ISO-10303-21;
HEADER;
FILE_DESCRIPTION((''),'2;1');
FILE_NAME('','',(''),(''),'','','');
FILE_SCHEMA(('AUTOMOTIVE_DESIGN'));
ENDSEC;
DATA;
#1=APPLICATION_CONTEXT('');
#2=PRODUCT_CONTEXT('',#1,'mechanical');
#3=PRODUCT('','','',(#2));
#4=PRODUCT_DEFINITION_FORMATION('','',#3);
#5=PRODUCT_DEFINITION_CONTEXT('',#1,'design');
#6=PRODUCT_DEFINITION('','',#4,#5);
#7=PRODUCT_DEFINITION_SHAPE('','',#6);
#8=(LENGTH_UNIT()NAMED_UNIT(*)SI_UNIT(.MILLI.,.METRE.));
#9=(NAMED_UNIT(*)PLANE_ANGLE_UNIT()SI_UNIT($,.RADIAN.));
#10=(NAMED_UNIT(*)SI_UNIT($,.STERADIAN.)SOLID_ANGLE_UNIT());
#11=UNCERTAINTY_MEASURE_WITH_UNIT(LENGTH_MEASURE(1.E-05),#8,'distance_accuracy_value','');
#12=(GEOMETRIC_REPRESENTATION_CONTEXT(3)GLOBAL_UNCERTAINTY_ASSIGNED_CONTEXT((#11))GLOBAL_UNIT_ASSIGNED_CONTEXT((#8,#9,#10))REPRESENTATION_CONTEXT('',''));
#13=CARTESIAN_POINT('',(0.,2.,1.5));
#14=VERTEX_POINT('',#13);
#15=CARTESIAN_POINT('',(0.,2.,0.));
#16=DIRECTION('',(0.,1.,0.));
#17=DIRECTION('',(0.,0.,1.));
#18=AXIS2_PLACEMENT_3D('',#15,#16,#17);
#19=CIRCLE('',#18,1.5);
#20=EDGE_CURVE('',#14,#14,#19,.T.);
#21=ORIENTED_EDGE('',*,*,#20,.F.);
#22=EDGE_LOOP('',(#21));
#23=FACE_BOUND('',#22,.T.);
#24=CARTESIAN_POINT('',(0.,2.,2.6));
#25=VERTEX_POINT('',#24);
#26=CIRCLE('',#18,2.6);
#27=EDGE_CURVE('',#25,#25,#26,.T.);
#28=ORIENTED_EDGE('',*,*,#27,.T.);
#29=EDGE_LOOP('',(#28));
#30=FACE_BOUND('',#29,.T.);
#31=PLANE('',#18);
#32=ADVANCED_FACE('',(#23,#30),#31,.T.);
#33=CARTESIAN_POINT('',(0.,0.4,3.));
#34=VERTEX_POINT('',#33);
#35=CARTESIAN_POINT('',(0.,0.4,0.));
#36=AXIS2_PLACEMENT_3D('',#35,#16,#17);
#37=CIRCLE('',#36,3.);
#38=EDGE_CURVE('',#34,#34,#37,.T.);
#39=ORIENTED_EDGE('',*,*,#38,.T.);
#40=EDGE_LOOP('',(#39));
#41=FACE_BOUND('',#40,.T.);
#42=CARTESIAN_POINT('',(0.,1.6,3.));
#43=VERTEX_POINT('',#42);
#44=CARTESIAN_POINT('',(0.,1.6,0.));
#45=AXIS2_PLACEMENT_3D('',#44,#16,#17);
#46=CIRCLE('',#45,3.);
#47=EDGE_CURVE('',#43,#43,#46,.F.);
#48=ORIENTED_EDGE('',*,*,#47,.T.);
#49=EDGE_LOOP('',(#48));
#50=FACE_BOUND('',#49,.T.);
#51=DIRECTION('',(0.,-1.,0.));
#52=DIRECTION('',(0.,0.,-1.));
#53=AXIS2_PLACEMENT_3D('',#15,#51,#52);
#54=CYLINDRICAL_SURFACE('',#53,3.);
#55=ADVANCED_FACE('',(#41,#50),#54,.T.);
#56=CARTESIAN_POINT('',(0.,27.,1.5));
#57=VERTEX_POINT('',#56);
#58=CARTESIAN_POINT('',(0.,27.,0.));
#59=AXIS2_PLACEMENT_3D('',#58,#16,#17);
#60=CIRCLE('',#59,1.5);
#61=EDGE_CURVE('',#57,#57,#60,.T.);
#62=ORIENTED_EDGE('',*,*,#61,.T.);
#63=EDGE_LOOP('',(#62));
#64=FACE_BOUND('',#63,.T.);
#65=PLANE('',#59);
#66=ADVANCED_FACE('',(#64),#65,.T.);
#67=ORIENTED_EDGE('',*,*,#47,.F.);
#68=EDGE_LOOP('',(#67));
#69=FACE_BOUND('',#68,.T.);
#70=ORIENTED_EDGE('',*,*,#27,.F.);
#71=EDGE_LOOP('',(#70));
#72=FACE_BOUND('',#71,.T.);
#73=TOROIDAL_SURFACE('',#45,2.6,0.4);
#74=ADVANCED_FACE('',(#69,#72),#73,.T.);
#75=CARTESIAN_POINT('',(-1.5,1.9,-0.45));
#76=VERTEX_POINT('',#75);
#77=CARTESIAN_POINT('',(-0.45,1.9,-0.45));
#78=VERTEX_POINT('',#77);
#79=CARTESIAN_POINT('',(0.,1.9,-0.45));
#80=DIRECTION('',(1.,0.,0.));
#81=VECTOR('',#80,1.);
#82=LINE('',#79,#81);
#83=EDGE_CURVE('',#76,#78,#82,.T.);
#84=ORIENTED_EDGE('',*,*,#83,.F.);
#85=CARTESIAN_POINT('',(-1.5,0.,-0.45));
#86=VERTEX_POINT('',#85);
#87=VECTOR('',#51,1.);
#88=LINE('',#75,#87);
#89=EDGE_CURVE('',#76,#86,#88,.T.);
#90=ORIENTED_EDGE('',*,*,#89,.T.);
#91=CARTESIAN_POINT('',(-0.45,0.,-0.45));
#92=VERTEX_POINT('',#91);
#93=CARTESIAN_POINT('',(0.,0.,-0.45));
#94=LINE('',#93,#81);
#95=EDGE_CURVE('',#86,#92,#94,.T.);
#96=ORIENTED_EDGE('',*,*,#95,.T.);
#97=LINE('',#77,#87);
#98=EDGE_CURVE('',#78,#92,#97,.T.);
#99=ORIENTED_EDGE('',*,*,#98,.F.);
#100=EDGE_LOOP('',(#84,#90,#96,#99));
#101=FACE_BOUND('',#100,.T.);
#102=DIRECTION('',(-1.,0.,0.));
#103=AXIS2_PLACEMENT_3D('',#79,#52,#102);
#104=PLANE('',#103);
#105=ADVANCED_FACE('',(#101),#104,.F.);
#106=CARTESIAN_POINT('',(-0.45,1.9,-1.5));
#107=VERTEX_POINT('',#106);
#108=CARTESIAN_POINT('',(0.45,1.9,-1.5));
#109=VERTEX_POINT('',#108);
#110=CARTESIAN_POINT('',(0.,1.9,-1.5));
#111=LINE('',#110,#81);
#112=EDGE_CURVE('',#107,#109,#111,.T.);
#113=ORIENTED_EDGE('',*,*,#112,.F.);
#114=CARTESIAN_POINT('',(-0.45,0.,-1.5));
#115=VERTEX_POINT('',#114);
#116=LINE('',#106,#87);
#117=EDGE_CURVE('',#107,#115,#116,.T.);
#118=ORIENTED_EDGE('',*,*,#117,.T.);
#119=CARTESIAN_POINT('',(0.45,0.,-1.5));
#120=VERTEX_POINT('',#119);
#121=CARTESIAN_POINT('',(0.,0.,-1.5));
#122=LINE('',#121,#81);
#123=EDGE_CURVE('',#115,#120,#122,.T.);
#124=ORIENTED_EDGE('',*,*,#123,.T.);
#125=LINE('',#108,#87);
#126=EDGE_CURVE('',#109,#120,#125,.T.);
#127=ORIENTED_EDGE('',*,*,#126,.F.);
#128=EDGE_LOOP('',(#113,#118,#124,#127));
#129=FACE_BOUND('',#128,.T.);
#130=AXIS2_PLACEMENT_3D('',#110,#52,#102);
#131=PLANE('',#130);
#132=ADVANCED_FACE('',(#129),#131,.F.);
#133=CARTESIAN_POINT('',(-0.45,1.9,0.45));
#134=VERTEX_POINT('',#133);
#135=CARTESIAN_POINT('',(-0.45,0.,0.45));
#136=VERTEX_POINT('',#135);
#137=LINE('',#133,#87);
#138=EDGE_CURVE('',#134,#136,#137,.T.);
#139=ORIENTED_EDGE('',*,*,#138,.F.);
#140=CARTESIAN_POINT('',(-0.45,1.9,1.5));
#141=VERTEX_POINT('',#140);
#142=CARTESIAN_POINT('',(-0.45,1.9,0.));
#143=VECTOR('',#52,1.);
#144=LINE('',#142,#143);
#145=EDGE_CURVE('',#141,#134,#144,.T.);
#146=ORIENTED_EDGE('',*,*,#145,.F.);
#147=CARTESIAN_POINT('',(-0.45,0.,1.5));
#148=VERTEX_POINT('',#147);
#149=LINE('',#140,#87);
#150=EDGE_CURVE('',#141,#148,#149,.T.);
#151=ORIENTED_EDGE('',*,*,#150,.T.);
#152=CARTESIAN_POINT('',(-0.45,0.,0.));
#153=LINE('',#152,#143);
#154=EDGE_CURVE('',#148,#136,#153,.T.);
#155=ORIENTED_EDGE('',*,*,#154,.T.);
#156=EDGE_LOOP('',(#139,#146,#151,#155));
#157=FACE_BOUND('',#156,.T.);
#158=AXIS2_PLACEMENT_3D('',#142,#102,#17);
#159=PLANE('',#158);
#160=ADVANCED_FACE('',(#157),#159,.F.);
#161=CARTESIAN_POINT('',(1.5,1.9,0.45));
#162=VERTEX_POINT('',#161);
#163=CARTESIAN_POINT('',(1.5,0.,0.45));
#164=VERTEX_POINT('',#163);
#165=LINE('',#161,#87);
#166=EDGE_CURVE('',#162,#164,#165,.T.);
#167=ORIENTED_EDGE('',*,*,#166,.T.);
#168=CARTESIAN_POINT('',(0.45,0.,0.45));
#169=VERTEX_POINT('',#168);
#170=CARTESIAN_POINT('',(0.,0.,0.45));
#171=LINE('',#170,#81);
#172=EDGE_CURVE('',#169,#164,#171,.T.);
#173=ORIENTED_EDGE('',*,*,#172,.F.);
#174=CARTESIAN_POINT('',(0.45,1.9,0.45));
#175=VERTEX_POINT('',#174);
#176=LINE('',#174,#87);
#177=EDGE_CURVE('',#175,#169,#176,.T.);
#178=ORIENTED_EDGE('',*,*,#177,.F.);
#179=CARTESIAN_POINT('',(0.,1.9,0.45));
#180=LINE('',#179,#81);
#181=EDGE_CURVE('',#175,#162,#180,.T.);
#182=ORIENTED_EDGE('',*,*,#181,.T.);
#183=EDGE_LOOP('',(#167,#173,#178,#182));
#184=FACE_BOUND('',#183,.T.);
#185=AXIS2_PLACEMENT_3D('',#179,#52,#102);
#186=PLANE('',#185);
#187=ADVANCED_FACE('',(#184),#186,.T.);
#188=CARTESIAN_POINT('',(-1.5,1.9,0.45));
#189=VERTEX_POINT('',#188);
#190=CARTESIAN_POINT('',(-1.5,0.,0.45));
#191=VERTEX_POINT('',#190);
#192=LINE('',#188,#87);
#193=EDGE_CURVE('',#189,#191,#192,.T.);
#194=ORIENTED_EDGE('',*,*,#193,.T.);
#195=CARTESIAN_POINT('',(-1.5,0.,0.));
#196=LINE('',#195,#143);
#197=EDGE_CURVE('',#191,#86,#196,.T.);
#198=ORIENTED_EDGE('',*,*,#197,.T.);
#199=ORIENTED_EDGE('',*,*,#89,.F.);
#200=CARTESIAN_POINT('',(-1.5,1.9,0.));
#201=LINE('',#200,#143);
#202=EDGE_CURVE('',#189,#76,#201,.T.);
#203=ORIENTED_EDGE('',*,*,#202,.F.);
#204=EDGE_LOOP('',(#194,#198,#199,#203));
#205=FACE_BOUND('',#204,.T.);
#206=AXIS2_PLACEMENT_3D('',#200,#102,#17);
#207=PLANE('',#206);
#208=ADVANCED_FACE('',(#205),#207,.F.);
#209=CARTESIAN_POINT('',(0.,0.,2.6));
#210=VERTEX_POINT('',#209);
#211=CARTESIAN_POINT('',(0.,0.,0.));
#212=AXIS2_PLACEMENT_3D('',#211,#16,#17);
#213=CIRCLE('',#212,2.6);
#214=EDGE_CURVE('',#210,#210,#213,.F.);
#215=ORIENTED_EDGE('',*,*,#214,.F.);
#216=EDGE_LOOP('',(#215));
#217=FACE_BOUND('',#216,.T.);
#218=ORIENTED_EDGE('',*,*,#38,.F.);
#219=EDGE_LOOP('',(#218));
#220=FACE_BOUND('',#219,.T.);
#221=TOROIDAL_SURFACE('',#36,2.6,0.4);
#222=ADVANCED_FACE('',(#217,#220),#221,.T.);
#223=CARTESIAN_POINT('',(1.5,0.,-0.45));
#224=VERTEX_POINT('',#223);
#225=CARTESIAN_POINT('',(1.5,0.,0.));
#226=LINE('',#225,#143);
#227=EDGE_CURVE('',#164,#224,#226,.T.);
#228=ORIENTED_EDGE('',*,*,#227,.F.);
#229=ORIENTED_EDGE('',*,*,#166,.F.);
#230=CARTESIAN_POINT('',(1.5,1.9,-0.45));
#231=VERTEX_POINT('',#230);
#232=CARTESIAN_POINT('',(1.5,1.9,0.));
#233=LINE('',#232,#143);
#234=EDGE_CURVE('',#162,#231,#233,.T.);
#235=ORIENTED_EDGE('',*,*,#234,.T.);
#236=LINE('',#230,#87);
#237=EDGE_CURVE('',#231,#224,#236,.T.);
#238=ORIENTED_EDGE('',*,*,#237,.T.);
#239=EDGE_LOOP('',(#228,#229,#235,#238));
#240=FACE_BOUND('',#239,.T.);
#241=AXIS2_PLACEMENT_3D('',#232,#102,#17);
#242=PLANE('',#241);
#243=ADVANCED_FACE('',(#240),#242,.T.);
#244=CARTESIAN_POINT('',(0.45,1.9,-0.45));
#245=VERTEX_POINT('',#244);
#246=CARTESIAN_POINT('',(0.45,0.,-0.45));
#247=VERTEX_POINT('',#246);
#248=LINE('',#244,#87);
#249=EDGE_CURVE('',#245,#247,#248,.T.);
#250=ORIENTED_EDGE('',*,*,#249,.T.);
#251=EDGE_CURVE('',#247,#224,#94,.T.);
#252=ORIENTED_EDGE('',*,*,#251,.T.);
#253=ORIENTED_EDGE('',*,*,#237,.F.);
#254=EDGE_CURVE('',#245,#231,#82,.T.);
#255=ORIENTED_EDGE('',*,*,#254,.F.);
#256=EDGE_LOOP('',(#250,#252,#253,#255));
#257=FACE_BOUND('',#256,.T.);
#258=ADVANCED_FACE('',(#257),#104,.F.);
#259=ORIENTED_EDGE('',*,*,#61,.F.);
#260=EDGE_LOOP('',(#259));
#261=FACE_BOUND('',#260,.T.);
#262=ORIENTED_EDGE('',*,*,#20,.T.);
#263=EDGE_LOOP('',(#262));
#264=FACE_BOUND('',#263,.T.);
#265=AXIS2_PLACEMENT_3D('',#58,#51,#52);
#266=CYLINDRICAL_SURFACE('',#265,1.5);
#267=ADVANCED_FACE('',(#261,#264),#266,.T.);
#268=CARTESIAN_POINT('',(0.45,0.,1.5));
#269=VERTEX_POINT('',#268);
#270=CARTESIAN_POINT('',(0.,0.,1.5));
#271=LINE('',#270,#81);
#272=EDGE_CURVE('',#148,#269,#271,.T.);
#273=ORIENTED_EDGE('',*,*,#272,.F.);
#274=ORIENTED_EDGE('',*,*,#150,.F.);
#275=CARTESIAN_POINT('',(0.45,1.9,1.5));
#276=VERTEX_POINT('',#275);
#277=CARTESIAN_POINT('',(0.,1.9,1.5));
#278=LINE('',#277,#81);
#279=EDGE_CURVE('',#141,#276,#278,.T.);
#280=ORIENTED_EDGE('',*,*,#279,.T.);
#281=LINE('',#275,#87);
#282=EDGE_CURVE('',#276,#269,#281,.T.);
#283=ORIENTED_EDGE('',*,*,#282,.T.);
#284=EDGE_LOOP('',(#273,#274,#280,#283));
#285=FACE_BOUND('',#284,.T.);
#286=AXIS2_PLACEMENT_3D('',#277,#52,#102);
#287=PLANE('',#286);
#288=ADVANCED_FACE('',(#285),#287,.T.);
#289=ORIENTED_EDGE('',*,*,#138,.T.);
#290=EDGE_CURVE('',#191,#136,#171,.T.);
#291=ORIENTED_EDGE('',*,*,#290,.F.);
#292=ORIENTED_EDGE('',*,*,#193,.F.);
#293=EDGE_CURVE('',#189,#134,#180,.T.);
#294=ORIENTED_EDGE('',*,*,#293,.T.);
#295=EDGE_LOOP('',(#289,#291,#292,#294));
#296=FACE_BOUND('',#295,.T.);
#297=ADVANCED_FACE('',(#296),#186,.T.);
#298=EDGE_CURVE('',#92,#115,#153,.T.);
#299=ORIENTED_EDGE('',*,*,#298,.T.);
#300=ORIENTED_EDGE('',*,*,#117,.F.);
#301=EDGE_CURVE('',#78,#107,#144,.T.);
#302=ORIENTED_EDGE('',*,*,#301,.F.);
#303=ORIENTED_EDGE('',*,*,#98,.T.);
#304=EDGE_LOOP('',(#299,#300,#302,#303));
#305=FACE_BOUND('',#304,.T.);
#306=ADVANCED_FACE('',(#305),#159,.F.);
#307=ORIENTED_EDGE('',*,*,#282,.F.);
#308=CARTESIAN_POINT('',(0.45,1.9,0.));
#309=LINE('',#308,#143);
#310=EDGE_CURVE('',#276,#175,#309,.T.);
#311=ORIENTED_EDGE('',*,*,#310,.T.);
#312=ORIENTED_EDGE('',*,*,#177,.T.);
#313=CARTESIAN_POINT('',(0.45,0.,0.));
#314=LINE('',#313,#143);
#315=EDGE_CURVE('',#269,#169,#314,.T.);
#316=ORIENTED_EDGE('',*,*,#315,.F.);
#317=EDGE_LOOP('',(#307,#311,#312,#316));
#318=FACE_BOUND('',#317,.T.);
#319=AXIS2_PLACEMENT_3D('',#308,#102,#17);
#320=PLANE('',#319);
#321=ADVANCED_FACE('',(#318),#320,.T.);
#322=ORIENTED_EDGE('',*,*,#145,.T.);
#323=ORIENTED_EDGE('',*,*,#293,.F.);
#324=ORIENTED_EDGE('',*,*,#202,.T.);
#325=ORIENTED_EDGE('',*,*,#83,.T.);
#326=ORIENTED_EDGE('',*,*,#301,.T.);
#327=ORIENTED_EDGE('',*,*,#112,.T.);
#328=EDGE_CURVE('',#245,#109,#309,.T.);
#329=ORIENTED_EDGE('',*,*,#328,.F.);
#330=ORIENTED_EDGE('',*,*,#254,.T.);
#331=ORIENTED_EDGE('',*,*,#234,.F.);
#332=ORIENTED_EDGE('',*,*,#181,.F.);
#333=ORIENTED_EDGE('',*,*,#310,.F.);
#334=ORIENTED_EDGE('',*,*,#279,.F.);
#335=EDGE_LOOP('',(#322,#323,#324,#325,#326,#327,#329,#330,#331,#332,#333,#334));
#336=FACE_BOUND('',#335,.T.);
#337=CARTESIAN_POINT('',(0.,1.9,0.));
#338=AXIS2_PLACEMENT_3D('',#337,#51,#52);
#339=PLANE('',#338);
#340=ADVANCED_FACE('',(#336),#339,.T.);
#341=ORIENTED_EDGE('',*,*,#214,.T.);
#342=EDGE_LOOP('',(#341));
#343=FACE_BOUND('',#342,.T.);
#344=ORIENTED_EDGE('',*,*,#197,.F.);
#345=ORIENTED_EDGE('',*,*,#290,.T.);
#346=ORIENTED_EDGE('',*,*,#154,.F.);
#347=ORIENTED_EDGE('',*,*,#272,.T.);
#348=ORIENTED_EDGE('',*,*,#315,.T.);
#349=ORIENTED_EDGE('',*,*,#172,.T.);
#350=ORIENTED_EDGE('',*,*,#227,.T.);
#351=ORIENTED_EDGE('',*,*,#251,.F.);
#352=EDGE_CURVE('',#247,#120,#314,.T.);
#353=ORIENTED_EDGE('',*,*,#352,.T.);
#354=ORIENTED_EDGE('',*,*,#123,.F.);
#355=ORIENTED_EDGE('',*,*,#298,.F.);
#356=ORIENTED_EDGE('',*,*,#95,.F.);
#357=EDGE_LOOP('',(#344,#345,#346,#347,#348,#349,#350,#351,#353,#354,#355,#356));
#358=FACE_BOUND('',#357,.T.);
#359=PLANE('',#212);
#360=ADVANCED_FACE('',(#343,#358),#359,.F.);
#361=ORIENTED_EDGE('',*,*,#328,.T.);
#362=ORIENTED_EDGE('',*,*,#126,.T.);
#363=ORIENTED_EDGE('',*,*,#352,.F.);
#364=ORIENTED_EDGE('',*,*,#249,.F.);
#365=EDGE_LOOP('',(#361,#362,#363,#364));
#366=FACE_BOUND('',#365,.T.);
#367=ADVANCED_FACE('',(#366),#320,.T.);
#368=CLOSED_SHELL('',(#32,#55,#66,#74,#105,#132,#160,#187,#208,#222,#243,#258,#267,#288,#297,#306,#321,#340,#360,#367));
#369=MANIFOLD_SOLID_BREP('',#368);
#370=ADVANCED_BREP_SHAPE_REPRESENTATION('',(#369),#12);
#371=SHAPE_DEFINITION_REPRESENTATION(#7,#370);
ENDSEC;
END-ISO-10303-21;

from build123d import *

# Parameters (mm, degrees)
SKETCH1_R           = 3
BOSS_EXTRUDE1_DEPTH = 2
SKETCH2_R           = 1.5
BOSS_EXTRUDE2_DEPTH = 25
SKETCH3_W           = 0.9
SKETCH3_H           = 0.9
SKETCH3_W_2         = 1.05
SKETCH3_H_2         = 1.05
CUT_EXTRUDE1_DEPTH  = 1.9
FILLET1_R           = 0.4


with BuildPart() as part:
    # Sketch1 → Boss-Extrude1 (new body)
    with BuildSketch(Plane(origin=(0, 0, 0), x_dir=(1, 0, 0), z_dir=(0, 1, 0))):
        Circle(SKETCH1_R)
    extrude(amount=BOSS_EXTRUDE1_DEPTH)

    # Sketch2 → Boss-Extrude2 (add)
    with BuildSketch(Plane(origin=(0, 2, 0), x_dir=(1, 0, 0), z_dir=(0, 1, 0))):
        Circle(SKETCH2_R)
    extrude(amount=BOSS_EXTRUDE2_DEPTH)

    # Sketch3 → Cut-Extrude1 (cut)
    with BuildSketch(Plane(origin=(0, 0, 0), x_dir=(-1, 0, 0), z_dir=(0, -1, 0))):
        Rectangle(SKETCH3_W, SKETCH3_H)
        with Locations((0.975, 0)):
            Rectangle(SKETCH3_W_2, SKETCH3_H)
        with Locations((0, -0.975)):
            Rectangle(SKETCH3_W, SKETCH3_H_2)
        with Locations((-0.975, 0)):
            Rectangle(SKETCH3_W_2, SKETCH3_H)
        with Locations((0, 0.975)):
            Rectangle(SKETCH3_W, SKETCH3_H_2)
    extrude(amount=-CUT_EXTRUDE1_DEPTH, mode=Mode.SUBTRACT)

    # Fillet1
    fillet1_edges = [part.edges().sort_by_distance(p)[0] for p in [
        (-3, 0, 0),
        (-3, 2, 0),
    ]]
    fillet(fillet1_edges, radius=FILLET1_R)


solid = part.part
